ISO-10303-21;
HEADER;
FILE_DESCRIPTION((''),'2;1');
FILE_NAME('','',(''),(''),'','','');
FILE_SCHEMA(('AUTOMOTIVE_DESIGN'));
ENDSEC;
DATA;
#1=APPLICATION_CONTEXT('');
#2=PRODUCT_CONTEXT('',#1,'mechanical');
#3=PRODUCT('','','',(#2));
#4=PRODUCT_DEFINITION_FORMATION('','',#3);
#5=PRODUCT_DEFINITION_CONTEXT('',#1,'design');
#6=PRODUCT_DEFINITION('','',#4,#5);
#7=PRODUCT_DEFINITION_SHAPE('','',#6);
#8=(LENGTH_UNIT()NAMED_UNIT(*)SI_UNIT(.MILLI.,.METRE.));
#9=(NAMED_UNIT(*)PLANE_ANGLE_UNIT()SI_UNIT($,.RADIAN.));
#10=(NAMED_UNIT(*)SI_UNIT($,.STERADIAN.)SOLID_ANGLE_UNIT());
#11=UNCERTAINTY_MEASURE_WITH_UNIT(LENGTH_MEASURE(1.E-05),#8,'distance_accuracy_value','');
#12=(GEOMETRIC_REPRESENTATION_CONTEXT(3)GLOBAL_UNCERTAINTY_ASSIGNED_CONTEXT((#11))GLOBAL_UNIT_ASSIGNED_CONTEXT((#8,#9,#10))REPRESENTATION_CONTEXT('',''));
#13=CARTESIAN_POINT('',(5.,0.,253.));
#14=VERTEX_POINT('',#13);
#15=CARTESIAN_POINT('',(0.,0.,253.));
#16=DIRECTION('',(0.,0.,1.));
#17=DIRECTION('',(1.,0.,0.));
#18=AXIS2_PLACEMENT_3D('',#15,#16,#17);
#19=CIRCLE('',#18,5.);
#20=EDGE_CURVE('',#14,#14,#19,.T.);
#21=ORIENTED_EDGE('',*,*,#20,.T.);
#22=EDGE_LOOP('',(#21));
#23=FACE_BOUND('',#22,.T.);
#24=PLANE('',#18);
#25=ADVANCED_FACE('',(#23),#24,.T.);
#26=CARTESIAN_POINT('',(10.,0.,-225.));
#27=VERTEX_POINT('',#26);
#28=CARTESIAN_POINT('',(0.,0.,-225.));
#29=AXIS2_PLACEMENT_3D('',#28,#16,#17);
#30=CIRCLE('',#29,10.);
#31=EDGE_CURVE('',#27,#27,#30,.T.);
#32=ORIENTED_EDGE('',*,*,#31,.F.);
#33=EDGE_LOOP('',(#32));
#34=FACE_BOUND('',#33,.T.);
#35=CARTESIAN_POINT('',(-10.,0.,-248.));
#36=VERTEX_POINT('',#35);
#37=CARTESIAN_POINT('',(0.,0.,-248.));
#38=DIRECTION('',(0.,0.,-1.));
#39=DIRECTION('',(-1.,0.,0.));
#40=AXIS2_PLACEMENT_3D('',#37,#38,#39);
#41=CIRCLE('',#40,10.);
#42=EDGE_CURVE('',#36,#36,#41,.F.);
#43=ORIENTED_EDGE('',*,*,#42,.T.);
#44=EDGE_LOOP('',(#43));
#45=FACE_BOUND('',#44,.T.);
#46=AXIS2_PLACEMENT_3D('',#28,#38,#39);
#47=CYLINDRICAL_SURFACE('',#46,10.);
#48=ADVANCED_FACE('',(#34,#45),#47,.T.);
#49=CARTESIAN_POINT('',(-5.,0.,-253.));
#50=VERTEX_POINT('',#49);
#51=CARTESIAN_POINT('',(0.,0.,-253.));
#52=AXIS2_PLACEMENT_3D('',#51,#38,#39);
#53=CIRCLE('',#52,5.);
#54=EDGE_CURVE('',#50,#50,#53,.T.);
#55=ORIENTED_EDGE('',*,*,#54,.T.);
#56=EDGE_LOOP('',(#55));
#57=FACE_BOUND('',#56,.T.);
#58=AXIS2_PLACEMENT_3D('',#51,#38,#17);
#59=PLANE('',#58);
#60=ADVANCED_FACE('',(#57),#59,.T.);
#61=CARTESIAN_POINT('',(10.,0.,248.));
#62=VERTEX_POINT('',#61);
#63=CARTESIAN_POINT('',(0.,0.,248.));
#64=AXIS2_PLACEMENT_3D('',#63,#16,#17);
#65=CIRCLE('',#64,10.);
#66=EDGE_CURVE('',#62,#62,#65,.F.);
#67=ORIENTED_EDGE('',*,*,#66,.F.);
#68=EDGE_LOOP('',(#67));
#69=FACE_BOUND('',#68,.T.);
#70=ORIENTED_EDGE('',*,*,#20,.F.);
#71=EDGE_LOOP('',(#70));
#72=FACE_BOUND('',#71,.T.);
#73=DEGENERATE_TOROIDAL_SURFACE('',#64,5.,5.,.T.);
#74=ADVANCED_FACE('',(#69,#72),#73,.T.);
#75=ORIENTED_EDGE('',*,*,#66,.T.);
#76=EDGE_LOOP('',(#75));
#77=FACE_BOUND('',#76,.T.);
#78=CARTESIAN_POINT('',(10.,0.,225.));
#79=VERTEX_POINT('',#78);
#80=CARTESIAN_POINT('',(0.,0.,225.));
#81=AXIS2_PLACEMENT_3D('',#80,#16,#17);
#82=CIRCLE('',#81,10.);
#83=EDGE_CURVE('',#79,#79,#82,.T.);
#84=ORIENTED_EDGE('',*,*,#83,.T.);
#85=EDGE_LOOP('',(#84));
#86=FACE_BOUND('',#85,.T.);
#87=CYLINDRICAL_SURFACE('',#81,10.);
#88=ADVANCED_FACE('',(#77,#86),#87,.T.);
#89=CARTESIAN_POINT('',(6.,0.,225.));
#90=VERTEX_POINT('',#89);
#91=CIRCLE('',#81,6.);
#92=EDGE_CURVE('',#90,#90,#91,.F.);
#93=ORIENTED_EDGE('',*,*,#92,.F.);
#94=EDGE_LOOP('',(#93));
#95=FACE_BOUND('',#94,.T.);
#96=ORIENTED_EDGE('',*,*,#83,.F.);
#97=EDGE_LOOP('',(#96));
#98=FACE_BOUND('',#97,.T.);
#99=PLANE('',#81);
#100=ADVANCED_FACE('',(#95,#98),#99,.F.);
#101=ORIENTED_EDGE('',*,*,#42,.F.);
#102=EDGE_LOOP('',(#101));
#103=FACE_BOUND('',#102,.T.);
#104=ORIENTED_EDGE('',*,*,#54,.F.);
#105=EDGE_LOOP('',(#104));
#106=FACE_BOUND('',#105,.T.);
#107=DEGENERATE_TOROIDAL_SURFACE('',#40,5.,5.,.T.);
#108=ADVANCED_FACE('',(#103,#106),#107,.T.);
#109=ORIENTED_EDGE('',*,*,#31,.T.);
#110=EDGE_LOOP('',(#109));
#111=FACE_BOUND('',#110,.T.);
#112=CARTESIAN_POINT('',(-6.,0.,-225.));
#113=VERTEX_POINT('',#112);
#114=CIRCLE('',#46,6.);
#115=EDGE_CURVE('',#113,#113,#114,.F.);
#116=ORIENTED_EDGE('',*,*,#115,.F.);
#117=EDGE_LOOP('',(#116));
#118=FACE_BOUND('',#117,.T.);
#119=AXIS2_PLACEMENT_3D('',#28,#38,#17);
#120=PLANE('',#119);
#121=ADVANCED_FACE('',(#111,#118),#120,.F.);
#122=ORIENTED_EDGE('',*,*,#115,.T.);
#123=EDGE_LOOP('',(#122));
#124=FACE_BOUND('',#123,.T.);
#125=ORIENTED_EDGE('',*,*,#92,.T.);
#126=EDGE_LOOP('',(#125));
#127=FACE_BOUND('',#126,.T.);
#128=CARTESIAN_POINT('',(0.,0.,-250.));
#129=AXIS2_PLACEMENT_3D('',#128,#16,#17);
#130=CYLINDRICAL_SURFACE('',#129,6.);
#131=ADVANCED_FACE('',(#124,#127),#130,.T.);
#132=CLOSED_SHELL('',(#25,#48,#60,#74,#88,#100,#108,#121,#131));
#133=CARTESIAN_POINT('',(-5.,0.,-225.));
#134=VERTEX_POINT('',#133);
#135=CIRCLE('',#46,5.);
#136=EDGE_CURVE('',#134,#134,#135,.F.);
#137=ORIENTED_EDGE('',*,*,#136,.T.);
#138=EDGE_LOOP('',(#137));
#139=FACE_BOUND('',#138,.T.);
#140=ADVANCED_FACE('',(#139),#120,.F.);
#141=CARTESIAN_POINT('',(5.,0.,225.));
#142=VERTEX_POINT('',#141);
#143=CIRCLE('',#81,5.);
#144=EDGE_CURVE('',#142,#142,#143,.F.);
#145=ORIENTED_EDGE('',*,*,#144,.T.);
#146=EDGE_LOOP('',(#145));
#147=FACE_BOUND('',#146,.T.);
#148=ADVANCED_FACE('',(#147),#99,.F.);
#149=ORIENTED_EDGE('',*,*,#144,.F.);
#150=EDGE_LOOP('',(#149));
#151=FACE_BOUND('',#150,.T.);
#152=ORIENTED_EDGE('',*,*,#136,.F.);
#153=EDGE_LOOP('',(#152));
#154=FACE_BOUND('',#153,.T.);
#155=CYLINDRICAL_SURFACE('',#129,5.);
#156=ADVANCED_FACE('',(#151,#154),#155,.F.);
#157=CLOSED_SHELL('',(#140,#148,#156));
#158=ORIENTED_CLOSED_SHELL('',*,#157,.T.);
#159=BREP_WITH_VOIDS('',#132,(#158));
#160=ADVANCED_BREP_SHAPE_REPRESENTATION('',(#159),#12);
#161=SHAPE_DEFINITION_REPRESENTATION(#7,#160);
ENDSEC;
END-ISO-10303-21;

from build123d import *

# Parameters (mm, degrees)
BOSS_EXTRUDE1_DEPTH      = 250
BOSS_EXTRUDE1_DEPTH_BACK = 250
SKETCH1_R                = 6
SKETCH1_R_2              = 5
BOSS_EXTRUDE2_START      = -25
SKETCH2_R                = 10
BOSS_EXTRUDE2_DEPTH      = 28
FILLET1_R                = 5
FILLET2_R                = 5


with BuildPart() as part:
    # Sketch1 → Boss-Extrude1 (new, two sides: drawn at the far end of the back side and taken through both)
    with BuildSketch(Plane.XY.offset(-BOSS_EXTRUDE1_DEPTH_BACK)):
        Circle(SKETCH1_R)
        Circle(SKETCH1_R_2, mode=Mode.SUBTRACT)
    extrude(amount=BOSS_EXTRUDE1_DEPTH + BOSS_EXTRUDE1_DEPTH_BACK)

    # Sketch2 → Boss-Extrude2 (add)
    with BuildSketch(Plane.XY.offset(250).offset(BOSS_EXTRUDE2_START)):
        Circle(SKETCH2_R)
    boss_extrude2 = extrude(amount=BOSS_EXTRUDE2_DEPTH)

    # Fillet1
    fillet1_edges = [part.edges().sort_by_distance(p)[0] for p in [
        (-10, 0, 253),
    ]]
    fillet(fillet1_edges, radius=FILLET1_R)

    # Mirror2: Boss-Extrude2 across plane
    add(boss_extrude2.mirror(Plane.XY))

    # Fillet2
    fillet2_edges = [part.edges().sort_by_distance(p)[0] for p in [
        (-10, 0, -253),
    ]]
    fillet(fillet2_edges, radius=FILLET2_R)


solid = part.part
